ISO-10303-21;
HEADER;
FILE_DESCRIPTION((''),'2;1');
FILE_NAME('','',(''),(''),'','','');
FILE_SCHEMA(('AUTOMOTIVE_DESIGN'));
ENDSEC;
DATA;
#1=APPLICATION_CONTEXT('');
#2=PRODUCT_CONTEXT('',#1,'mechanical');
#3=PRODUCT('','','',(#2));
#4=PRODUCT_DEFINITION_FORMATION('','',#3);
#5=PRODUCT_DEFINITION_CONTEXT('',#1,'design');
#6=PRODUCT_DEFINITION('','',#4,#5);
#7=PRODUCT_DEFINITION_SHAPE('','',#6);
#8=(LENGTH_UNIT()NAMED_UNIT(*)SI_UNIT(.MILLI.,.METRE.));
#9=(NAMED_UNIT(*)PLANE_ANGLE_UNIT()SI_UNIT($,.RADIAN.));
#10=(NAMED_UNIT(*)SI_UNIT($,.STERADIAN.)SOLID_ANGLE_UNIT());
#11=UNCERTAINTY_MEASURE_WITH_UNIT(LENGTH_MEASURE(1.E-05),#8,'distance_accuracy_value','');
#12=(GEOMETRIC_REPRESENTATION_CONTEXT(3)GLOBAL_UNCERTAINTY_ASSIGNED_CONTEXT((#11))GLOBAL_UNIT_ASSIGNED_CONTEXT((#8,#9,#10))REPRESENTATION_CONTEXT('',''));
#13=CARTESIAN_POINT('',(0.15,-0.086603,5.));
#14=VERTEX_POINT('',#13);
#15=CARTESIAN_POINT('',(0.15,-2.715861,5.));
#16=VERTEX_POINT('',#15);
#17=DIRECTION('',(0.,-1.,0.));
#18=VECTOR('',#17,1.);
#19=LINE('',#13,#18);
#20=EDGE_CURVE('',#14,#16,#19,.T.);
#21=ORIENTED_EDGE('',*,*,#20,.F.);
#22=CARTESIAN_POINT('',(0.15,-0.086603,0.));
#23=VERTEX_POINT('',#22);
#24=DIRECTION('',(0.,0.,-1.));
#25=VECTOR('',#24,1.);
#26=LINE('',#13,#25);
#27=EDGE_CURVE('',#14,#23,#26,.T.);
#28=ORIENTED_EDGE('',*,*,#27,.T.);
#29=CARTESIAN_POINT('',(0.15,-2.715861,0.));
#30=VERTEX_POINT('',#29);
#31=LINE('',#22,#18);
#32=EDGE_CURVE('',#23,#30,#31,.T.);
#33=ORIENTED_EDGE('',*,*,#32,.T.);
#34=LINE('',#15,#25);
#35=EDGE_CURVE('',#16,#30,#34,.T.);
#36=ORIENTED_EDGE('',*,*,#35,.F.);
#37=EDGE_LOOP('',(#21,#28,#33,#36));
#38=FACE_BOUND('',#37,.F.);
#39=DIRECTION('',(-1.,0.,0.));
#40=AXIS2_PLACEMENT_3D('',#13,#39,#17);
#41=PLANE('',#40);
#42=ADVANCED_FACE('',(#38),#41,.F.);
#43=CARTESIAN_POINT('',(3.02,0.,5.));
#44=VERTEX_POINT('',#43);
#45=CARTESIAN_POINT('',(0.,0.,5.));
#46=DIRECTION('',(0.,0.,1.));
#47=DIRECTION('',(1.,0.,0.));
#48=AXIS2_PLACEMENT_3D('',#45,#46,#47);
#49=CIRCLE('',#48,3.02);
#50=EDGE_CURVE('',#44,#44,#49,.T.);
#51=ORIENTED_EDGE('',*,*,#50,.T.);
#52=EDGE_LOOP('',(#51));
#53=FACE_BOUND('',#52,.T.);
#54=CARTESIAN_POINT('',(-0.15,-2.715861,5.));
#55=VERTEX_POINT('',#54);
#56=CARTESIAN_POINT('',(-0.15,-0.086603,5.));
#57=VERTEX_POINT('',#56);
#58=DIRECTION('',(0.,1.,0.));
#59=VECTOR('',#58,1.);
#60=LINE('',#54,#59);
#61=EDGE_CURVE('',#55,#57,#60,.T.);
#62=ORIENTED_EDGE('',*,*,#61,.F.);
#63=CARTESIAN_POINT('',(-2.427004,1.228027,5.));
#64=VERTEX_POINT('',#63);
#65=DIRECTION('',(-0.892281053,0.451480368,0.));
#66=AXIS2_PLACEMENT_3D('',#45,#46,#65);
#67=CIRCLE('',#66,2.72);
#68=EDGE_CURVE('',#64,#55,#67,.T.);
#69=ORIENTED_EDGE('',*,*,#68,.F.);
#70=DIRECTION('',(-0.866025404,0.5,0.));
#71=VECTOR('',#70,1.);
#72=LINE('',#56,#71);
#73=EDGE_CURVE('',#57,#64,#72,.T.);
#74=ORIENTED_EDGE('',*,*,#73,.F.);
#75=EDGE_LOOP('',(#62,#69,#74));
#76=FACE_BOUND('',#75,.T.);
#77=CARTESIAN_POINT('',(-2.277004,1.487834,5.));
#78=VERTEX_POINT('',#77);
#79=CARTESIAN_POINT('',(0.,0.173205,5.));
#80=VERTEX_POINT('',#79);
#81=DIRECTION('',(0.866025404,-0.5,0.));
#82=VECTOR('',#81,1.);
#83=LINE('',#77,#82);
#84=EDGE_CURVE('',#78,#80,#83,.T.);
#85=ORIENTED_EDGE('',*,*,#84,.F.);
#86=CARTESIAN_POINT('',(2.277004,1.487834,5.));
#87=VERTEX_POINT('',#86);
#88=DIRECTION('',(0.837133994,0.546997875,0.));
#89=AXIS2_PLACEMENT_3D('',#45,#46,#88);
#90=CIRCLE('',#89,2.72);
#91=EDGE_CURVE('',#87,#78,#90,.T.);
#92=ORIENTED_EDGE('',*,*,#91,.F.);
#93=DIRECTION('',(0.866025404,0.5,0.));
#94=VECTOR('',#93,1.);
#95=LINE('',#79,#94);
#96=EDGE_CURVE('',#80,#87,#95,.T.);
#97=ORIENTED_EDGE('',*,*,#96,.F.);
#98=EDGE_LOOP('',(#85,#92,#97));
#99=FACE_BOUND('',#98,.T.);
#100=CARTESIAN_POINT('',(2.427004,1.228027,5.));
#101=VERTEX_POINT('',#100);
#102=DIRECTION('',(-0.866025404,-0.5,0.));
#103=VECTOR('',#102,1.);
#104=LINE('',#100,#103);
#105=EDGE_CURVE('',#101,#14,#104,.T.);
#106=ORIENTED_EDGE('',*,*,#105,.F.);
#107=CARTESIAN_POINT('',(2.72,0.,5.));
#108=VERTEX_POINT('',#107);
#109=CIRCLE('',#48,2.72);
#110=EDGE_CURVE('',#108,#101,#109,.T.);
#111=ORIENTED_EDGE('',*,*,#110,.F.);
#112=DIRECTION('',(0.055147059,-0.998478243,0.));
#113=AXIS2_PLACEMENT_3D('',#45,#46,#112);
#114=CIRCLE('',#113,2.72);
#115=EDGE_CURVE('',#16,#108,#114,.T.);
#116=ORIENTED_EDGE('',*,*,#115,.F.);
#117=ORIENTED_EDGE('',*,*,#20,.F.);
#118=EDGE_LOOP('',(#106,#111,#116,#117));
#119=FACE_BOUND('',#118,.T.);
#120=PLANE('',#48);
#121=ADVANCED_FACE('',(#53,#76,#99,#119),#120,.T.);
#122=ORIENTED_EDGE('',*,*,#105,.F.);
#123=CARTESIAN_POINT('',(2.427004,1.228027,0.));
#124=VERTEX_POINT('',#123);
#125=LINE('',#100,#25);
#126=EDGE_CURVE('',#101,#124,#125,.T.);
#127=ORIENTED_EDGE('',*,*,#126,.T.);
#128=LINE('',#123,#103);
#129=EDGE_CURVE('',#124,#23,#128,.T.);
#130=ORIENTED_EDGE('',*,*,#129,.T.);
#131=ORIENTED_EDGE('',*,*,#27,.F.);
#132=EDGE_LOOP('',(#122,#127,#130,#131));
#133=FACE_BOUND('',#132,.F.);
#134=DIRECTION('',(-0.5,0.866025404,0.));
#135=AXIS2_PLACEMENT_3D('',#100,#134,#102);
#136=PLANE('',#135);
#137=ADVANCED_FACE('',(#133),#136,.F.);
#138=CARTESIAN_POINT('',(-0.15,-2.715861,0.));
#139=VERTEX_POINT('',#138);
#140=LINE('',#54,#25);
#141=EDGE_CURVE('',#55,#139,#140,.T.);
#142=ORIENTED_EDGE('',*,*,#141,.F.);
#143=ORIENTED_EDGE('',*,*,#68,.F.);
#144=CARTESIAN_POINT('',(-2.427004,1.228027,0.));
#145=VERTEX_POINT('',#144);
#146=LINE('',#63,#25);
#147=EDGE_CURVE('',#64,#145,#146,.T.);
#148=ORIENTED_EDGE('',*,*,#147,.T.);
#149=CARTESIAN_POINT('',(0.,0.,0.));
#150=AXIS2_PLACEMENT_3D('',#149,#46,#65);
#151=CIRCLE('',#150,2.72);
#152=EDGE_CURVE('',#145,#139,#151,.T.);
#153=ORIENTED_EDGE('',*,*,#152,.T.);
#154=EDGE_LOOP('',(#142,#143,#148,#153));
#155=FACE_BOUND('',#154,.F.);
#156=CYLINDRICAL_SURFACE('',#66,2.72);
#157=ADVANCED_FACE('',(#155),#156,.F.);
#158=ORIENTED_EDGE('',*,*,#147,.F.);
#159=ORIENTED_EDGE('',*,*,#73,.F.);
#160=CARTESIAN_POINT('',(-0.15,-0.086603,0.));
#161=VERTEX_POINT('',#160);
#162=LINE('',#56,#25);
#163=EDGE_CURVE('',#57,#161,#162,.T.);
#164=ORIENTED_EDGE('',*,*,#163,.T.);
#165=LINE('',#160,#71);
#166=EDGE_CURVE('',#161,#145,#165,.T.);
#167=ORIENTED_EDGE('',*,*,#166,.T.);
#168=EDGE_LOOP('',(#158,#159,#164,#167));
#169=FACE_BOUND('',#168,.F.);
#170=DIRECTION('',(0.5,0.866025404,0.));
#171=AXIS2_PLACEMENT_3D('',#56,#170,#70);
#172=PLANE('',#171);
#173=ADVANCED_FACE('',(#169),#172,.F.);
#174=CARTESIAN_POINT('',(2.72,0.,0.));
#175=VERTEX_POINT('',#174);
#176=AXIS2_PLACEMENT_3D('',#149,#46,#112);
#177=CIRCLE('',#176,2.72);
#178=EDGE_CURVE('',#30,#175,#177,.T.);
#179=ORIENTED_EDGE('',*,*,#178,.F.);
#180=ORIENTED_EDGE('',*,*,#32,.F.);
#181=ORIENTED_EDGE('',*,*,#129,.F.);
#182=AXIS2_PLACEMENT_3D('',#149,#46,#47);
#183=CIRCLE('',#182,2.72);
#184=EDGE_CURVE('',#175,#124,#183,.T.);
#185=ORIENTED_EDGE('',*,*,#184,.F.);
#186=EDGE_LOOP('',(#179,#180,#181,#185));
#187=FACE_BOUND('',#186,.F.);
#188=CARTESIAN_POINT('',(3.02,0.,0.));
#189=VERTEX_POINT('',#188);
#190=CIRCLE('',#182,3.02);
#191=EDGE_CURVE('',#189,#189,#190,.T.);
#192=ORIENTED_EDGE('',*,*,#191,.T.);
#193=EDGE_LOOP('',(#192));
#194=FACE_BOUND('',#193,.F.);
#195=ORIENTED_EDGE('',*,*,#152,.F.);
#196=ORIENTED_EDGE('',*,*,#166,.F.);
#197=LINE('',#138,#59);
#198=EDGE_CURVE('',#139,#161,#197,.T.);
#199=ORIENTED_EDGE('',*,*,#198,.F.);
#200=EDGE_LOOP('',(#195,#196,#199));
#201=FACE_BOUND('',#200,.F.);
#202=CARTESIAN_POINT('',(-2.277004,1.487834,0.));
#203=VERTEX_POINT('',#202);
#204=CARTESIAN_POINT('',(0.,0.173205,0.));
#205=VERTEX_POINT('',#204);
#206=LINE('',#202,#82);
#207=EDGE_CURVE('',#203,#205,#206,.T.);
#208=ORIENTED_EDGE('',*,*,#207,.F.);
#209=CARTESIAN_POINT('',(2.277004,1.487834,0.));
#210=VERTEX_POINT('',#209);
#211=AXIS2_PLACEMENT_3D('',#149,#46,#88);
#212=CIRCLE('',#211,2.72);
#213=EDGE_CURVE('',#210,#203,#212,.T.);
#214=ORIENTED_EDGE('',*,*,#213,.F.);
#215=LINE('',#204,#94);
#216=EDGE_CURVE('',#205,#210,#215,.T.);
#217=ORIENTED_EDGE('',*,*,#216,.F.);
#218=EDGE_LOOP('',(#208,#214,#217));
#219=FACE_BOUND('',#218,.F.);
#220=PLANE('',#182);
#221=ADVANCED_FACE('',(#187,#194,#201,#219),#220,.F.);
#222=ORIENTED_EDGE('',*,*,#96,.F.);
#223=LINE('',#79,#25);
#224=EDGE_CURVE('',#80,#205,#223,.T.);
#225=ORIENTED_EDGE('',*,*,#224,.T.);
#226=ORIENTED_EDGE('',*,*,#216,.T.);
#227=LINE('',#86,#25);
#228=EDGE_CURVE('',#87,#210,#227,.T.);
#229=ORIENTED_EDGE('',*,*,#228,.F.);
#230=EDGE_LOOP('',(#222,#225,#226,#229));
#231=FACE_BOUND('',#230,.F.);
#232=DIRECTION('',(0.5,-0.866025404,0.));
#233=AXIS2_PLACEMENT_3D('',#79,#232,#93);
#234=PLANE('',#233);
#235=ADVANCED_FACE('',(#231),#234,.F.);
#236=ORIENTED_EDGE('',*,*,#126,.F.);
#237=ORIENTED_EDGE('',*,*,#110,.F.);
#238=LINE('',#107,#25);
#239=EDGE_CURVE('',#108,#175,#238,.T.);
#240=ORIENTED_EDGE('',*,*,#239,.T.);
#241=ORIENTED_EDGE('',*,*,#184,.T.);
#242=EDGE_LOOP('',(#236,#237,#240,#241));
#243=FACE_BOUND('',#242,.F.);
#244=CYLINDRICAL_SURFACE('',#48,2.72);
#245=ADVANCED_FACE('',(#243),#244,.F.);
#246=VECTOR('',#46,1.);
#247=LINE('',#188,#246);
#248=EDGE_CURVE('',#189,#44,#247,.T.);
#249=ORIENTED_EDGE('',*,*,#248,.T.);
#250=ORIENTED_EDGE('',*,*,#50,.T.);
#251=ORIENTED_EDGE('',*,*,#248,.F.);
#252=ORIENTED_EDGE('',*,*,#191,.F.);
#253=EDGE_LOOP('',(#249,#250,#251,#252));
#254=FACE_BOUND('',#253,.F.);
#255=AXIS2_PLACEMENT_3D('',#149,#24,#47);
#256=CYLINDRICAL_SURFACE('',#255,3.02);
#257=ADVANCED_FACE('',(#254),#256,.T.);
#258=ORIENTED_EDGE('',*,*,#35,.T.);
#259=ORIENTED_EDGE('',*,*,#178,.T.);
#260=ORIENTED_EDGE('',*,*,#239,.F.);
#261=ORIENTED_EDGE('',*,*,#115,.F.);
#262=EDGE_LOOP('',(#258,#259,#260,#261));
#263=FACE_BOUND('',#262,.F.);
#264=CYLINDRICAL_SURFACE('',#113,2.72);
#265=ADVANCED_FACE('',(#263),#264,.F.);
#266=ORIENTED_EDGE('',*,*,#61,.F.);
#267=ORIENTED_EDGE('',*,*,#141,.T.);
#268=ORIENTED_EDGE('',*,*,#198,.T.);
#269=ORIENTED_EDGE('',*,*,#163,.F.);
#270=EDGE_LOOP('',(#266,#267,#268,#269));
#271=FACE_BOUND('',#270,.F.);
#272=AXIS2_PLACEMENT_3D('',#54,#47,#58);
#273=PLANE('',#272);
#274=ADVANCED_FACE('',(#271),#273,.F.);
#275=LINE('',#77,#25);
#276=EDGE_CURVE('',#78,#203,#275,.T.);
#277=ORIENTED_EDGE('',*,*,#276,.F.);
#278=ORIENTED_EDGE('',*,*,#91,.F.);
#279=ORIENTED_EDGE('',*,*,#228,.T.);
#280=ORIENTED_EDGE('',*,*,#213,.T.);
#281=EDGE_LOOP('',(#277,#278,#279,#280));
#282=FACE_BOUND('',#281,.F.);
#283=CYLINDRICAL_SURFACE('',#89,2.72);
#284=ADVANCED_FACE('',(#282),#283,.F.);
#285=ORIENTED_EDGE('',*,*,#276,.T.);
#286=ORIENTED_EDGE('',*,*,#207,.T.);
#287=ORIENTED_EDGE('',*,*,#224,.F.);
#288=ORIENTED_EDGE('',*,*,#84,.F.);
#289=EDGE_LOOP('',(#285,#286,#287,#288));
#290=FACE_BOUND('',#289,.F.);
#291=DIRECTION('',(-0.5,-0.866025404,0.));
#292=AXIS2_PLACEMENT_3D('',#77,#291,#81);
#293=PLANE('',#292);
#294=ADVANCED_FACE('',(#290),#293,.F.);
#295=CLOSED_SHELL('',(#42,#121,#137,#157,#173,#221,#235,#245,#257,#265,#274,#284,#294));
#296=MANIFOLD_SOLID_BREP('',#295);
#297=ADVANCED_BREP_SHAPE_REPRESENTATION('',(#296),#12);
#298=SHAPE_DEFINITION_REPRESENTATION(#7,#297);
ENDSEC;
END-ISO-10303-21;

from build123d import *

# Parameters (mm, degrees)
F0_R     = 3.02
F1_DEPTH = 5
F3_DEPTH = 5


with BuildPart() as f1:
    # F0 (on Top) → F1 (new body)
    with BuildSketch(Plane.XY):
        Circle(F0_R)
    extrude(amount=F1_DEPTH)

    # F2 (on face) → F3 (cut)
    with BuildSketch(Plane.XY.offset(5)):
        with BuildLine():
            ThreePointArc((-2.4270044643, 1.2280266), (-2.3555890983, -1.36), (-0.15, -2.7158608212))
            Line((-0.15, -2.7158608212), (-0.15, -0.0866025404))
            Line((-0.15, -0.0866025404), (-2.4270044643, 1.2280266))
        make_face()
        with BuildLine():
            Line((0, 0.1732050808), (2.2770044643, 1.4878342212))
            ThreePointArc((2.2770044643, 1.4878342212), (0, 2.72), (-2.2770044643, 1.4878342212))
            Line((-2.2770044643, 1.4878342212), (0, 0.1732050808))
        make_face()
        with BuildLine():
            ThreePointArc((0.15, -2.7158608212), (1.9756517912, -1.8695453993), (2.72, 0))
            ThreePointArc((2.72, 0), (2.6457373398, 0.6312479137), (2.4270044643, 1.2280266))
            Line((2.4270044643, 1.2280266), (0.15, -0.0866025404))
            Line((0.15, -0.0866025404), (0.15, -2.7158608212))
        make_face()
    extrude(amount=-F3_DEPTH, mode=Mode.SUBTRACT)


solid = f1.part
